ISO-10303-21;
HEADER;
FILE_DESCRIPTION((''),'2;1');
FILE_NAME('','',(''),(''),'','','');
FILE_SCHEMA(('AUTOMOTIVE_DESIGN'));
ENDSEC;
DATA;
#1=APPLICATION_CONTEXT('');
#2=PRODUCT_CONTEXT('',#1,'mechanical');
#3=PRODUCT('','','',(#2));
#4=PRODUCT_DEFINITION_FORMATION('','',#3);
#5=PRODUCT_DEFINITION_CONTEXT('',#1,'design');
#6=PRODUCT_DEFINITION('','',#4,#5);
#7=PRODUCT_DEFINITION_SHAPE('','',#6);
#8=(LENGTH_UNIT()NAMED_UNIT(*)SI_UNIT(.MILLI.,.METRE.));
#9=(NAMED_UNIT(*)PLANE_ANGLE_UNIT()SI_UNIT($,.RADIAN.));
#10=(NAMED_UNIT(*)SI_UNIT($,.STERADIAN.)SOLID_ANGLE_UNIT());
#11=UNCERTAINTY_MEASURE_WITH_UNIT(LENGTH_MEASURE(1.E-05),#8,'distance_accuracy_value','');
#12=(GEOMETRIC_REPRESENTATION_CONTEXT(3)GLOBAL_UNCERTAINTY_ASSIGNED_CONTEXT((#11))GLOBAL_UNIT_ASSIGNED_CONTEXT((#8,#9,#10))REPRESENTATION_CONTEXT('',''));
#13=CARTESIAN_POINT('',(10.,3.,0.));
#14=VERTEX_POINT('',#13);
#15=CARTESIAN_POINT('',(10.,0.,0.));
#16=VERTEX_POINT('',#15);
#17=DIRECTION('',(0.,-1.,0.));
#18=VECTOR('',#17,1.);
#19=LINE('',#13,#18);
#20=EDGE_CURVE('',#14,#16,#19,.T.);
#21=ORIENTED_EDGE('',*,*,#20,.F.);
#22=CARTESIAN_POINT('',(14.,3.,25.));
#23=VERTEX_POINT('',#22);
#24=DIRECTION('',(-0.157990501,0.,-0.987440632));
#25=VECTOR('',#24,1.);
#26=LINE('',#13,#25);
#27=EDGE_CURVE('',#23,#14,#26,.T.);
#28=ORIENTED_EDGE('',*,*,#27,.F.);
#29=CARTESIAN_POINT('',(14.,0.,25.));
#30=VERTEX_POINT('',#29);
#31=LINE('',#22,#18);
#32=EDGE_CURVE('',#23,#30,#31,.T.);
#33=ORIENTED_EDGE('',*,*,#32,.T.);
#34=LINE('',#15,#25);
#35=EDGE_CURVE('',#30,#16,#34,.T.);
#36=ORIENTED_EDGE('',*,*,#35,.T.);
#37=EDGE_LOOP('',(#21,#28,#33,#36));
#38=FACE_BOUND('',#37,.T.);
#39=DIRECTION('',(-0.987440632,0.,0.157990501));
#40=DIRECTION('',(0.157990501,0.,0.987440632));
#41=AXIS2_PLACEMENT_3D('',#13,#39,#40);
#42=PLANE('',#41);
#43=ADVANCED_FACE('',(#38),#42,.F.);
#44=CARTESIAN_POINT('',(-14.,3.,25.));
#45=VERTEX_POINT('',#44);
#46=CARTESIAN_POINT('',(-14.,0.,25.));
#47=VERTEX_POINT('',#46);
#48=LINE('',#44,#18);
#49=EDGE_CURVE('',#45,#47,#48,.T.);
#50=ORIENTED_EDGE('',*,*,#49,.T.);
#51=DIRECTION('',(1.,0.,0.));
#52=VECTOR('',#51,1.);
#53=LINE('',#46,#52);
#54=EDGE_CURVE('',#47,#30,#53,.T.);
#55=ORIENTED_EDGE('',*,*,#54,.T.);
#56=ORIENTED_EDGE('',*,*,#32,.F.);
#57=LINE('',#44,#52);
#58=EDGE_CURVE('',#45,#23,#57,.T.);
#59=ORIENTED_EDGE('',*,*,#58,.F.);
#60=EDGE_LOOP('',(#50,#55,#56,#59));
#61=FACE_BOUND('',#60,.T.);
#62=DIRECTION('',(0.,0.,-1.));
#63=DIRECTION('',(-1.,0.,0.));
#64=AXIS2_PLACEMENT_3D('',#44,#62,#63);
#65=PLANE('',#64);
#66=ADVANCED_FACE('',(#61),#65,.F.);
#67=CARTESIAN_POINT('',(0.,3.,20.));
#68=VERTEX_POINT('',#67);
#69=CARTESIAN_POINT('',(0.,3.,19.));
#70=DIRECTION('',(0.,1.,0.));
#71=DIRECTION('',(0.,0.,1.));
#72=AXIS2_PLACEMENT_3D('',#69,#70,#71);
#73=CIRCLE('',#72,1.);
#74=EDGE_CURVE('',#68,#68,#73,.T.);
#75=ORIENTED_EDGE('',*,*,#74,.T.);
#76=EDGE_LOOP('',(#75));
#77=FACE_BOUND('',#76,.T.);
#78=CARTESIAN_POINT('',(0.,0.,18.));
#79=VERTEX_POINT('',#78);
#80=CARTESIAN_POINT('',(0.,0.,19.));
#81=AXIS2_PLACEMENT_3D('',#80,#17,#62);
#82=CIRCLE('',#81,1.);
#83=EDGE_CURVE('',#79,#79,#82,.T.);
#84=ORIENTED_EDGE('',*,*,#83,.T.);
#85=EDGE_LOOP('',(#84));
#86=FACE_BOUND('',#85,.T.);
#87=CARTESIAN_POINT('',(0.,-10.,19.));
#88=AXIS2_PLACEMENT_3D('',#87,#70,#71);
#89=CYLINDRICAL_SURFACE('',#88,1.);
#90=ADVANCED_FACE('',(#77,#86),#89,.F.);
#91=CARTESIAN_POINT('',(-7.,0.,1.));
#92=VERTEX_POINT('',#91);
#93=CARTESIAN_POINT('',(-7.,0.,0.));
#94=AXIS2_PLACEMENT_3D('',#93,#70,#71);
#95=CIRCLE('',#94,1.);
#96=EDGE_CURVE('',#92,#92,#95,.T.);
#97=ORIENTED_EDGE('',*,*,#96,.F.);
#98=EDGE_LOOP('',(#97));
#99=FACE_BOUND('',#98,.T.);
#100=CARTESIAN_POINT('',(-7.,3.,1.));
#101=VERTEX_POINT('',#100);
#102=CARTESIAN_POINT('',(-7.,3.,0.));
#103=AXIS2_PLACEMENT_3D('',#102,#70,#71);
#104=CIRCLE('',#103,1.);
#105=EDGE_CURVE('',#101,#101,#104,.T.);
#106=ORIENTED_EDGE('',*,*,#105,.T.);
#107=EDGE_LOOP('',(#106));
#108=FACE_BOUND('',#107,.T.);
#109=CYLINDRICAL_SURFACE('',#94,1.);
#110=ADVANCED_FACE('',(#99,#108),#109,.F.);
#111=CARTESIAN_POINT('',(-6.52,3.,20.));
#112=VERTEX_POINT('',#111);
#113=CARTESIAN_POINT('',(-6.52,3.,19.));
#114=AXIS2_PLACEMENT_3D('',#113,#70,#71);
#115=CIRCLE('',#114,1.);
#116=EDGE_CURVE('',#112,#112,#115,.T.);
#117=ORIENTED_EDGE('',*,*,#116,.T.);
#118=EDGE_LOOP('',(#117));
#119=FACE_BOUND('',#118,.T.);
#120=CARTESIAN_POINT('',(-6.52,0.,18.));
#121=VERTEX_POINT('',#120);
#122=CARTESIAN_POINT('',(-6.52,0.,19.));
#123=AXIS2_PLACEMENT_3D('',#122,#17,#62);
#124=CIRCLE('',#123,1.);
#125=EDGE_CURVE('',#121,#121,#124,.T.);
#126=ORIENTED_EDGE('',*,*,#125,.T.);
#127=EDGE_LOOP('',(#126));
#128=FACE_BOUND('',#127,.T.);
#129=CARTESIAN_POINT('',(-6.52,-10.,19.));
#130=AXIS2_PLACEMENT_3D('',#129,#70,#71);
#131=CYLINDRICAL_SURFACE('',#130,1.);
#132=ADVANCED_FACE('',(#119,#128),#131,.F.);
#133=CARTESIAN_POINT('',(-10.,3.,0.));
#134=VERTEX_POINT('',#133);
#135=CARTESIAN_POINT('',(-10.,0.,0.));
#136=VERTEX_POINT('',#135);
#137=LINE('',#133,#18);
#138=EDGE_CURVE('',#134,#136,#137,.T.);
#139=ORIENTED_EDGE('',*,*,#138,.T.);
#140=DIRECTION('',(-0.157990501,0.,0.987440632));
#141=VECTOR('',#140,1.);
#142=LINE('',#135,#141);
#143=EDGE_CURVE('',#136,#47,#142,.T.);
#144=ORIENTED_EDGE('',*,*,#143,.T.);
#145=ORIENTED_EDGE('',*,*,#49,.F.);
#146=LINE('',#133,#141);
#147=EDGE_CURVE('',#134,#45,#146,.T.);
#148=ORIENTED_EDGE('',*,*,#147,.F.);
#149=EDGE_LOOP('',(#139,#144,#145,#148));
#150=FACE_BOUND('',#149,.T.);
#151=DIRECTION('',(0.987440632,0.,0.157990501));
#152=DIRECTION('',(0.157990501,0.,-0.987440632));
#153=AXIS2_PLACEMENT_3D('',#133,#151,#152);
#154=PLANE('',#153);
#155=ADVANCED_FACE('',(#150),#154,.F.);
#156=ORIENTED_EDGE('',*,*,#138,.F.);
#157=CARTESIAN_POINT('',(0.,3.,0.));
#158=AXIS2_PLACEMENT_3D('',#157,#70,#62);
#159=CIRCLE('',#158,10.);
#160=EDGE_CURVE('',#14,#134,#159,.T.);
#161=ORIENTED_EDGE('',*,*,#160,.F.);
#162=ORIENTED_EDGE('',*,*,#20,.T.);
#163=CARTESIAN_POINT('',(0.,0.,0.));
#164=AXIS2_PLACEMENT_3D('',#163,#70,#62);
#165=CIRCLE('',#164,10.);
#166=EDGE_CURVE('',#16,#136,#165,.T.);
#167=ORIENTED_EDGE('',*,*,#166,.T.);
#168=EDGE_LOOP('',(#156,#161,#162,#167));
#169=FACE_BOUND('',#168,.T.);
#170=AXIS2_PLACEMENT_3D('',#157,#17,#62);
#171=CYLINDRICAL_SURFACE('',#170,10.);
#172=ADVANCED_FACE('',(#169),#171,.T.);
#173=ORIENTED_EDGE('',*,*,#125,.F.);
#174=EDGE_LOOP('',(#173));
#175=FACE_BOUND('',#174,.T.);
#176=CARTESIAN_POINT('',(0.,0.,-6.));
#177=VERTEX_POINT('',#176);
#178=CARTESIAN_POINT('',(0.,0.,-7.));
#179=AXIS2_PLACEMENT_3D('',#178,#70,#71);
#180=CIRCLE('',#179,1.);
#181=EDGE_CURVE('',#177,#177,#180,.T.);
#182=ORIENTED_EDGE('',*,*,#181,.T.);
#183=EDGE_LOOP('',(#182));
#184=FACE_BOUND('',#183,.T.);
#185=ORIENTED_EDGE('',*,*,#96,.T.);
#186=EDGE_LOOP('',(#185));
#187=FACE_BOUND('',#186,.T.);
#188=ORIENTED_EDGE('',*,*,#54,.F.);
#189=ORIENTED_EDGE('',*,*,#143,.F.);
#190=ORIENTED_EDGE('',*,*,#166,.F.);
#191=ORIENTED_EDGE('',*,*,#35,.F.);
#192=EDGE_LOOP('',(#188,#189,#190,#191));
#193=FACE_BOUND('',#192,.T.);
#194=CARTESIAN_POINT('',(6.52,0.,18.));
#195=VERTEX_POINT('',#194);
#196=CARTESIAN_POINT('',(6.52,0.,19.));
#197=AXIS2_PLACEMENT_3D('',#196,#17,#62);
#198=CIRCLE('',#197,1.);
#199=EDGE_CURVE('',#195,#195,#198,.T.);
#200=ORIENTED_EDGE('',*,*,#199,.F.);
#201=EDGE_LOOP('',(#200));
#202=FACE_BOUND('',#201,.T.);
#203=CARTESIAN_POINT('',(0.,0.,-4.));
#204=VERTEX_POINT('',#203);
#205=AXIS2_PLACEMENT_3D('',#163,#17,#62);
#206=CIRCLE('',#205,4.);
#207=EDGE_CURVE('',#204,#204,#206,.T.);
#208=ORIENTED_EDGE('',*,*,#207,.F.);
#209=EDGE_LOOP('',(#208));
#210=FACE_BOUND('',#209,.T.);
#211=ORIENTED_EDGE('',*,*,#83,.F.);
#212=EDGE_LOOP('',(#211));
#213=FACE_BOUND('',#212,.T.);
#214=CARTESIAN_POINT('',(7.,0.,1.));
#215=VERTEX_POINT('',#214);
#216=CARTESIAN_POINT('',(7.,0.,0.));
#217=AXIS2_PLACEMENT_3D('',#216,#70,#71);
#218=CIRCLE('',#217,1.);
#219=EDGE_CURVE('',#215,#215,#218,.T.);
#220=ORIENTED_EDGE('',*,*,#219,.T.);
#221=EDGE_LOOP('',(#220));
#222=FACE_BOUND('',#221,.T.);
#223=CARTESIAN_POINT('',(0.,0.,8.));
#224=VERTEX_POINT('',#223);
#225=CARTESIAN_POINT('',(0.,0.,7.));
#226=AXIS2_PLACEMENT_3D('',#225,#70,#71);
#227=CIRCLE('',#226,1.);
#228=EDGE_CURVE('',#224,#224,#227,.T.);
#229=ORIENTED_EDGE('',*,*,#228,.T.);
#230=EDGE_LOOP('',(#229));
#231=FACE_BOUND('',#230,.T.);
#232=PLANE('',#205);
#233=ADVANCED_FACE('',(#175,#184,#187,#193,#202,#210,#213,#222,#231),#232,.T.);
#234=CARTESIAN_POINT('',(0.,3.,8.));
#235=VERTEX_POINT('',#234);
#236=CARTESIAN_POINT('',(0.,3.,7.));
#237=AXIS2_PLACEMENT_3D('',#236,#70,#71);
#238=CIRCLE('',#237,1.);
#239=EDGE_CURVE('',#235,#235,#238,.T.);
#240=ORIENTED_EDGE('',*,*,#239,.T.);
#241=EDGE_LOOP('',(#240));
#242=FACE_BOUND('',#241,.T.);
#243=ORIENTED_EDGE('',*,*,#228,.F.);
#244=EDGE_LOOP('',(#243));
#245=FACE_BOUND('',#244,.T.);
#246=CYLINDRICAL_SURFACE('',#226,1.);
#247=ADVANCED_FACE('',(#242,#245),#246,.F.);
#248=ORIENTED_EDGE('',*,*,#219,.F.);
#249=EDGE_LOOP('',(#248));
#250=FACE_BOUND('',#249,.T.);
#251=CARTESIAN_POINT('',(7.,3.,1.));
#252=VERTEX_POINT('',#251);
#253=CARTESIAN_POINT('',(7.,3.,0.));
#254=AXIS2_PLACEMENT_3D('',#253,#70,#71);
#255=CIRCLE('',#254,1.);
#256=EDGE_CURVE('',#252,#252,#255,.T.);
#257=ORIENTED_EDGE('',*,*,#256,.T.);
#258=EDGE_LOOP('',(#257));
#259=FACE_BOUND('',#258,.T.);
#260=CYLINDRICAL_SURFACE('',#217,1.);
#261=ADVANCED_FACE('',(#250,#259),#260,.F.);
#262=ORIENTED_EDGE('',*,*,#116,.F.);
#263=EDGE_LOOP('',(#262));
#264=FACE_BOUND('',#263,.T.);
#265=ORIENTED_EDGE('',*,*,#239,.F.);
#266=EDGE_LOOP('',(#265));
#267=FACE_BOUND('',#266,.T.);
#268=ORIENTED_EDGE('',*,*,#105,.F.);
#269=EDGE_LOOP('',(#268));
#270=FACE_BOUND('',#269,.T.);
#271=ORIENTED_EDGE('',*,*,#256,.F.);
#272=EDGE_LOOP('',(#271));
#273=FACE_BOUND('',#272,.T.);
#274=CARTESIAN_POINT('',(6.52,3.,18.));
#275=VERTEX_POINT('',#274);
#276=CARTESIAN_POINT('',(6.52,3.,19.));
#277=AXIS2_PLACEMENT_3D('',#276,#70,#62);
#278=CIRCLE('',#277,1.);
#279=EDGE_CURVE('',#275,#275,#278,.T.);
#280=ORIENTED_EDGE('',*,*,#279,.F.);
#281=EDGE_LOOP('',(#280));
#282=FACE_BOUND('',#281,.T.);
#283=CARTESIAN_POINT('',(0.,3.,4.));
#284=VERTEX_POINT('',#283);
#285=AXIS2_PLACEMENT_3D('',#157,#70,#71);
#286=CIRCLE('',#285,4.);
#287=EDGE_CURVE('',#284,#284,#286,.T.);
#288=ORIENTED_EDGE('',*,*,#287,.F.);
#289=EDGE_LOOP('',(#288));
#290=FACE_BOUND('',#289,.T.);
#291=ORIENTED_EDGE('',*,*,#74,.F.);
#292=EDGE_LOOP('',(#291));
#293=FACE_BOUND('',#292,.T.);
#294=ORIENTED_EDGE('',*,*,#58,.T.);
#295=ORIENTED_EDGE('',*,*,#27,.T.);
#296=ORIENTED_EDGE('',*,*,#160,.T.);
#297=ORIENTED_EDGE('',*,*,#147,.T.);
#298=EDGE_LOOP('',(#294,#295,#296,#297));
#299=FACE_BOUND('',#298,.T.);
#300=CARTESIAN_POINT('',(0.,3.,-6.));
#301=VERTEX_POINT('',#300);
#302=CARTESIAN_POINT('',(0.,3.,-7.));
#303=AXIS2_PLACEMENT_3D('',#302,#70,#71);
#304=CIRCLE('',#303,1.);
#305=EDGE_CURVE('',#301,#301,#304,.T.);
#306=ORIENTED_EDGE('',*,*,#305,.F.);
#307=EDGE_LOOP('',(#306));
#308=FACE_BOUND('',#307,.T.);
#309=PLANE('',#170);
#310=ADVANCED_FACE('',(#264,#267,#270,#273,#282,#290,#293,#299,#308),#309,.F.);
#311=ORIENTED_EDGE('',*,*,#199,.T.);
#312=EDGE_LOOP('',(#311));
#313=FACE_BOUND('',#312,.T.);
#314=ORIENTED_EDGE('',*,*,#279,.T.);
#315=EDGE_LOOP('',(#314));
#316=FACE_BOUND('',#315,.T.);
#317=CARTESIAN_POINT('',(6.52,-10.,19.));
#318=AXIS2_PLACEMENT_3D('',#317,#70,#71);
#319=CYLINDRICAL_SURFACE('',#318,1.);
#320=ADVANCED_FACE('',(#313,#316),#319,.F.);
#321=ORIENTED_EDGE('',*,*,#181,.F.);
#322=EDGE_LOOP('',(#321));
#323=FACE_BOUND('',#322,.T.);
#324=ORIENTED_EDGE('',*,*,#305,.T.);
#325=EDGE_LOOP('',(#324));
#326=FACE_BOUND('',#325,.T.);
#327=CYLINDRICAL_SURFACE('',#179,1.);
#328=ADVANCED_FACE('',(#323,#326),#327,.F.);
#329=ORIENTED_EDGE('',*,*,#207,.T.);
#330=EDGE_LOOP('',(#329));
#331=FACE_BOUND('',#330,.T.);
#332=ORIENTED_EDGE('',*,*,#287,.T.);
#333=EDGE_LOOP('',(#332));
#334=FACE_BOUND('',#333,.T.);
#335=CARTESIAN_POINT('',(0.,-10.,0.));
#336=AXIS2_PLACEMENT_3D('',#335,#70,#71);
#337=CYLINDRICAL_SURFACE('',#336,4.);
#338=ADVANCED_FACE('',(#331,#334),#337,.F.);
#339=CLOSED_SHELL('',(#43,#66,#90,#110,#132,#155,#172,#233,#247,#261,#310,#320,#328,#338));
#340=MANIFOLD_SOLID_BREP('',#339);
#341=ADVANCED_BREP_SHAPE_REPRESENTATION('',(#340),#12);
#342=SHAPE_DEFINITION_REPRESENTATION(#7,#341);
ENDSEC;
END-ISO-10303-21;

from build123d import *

# Parameters (mm, degrees)
BOSS_EXTRUDE1_DEPTH = 3
SKETCH2_R           = 4
CUT_EXTRUDE1_DEPTH  = 13
SKETCH3_R           = 1
CUT_EXTRUDE2_DEPTH  = 13
SKETCH4_R           = 1
CUT_EXTRUDE3_DEPTH  = 3


with BuildPart() as part:
    # Sketch1 → Boss-Extrude1 (new body)
    with BuildSketch(Plane(origin=(0, 0, 0), x_dir=(1, 0, 0), z_dir=(0, 1, 0))):
        with BuildLine():
            Line((-10, 0), (-14, -25))
            Line((-14, -25), (14, -25))
            Line((14, -25), (10, 0))
            ThreePointArc((10, 0), (0, 10), (-10, 0))
        make_face()
    extrude(amount=BOSS_EXTRUDE1_DEPTH)

    # Sketch2 → Cut-Extrude1 (cut)
    with BuildSketch(Plane(origin=(0, 3, 0), x_dir=(1, 0, 0), z_dir=(0, 1, 0))):
        Circle(SKETCH2_R)
    extrude(amount=-CUT_EXTRUDE1_DEPTH, mode=Mode.SUBTRACT)

    # Sketch3 → Cut-Extrude2 (cut)
    with BuildSketch(Plane(origin=(0, 3, 0), x_dir=(1, 0, 0), z_dir=(0, 1, 0))):
        with Locations((-6.52, -19)):
            Circle(SKETCH3_R)
        with Locations((6.52, -19)):
            Circle(SKETCH3_R)
        with Locations((0, -19)):
            Circle(SKETCH3_R)
    extrude(amount=-CUT_EXTRUDE2_DEPTH, mode=Mode.SUBTRACT)

    # Sketch4 → Cut-Extrude3 (cut)
    with BuildSketch(Plane(origin=(0, 3, 0), x_dir=(1, 0, 0), z_dir=(0, 1, 0))):
        with Locations((0, -7)):
            Circle(SKETCH4_R)
        with Locations((-7, 0)):
            Circle(SKETCH4_R)
        with Locations((0, 7)):
            Circle(SKETCH4_R)
        with Locations((7, 0)):
            Circle(SKETCH4_R)
    extrude(amount=-CUT_EXTRUDE3_DEPTH, mode=Mode.SUBTRACT)


solid = part.part
